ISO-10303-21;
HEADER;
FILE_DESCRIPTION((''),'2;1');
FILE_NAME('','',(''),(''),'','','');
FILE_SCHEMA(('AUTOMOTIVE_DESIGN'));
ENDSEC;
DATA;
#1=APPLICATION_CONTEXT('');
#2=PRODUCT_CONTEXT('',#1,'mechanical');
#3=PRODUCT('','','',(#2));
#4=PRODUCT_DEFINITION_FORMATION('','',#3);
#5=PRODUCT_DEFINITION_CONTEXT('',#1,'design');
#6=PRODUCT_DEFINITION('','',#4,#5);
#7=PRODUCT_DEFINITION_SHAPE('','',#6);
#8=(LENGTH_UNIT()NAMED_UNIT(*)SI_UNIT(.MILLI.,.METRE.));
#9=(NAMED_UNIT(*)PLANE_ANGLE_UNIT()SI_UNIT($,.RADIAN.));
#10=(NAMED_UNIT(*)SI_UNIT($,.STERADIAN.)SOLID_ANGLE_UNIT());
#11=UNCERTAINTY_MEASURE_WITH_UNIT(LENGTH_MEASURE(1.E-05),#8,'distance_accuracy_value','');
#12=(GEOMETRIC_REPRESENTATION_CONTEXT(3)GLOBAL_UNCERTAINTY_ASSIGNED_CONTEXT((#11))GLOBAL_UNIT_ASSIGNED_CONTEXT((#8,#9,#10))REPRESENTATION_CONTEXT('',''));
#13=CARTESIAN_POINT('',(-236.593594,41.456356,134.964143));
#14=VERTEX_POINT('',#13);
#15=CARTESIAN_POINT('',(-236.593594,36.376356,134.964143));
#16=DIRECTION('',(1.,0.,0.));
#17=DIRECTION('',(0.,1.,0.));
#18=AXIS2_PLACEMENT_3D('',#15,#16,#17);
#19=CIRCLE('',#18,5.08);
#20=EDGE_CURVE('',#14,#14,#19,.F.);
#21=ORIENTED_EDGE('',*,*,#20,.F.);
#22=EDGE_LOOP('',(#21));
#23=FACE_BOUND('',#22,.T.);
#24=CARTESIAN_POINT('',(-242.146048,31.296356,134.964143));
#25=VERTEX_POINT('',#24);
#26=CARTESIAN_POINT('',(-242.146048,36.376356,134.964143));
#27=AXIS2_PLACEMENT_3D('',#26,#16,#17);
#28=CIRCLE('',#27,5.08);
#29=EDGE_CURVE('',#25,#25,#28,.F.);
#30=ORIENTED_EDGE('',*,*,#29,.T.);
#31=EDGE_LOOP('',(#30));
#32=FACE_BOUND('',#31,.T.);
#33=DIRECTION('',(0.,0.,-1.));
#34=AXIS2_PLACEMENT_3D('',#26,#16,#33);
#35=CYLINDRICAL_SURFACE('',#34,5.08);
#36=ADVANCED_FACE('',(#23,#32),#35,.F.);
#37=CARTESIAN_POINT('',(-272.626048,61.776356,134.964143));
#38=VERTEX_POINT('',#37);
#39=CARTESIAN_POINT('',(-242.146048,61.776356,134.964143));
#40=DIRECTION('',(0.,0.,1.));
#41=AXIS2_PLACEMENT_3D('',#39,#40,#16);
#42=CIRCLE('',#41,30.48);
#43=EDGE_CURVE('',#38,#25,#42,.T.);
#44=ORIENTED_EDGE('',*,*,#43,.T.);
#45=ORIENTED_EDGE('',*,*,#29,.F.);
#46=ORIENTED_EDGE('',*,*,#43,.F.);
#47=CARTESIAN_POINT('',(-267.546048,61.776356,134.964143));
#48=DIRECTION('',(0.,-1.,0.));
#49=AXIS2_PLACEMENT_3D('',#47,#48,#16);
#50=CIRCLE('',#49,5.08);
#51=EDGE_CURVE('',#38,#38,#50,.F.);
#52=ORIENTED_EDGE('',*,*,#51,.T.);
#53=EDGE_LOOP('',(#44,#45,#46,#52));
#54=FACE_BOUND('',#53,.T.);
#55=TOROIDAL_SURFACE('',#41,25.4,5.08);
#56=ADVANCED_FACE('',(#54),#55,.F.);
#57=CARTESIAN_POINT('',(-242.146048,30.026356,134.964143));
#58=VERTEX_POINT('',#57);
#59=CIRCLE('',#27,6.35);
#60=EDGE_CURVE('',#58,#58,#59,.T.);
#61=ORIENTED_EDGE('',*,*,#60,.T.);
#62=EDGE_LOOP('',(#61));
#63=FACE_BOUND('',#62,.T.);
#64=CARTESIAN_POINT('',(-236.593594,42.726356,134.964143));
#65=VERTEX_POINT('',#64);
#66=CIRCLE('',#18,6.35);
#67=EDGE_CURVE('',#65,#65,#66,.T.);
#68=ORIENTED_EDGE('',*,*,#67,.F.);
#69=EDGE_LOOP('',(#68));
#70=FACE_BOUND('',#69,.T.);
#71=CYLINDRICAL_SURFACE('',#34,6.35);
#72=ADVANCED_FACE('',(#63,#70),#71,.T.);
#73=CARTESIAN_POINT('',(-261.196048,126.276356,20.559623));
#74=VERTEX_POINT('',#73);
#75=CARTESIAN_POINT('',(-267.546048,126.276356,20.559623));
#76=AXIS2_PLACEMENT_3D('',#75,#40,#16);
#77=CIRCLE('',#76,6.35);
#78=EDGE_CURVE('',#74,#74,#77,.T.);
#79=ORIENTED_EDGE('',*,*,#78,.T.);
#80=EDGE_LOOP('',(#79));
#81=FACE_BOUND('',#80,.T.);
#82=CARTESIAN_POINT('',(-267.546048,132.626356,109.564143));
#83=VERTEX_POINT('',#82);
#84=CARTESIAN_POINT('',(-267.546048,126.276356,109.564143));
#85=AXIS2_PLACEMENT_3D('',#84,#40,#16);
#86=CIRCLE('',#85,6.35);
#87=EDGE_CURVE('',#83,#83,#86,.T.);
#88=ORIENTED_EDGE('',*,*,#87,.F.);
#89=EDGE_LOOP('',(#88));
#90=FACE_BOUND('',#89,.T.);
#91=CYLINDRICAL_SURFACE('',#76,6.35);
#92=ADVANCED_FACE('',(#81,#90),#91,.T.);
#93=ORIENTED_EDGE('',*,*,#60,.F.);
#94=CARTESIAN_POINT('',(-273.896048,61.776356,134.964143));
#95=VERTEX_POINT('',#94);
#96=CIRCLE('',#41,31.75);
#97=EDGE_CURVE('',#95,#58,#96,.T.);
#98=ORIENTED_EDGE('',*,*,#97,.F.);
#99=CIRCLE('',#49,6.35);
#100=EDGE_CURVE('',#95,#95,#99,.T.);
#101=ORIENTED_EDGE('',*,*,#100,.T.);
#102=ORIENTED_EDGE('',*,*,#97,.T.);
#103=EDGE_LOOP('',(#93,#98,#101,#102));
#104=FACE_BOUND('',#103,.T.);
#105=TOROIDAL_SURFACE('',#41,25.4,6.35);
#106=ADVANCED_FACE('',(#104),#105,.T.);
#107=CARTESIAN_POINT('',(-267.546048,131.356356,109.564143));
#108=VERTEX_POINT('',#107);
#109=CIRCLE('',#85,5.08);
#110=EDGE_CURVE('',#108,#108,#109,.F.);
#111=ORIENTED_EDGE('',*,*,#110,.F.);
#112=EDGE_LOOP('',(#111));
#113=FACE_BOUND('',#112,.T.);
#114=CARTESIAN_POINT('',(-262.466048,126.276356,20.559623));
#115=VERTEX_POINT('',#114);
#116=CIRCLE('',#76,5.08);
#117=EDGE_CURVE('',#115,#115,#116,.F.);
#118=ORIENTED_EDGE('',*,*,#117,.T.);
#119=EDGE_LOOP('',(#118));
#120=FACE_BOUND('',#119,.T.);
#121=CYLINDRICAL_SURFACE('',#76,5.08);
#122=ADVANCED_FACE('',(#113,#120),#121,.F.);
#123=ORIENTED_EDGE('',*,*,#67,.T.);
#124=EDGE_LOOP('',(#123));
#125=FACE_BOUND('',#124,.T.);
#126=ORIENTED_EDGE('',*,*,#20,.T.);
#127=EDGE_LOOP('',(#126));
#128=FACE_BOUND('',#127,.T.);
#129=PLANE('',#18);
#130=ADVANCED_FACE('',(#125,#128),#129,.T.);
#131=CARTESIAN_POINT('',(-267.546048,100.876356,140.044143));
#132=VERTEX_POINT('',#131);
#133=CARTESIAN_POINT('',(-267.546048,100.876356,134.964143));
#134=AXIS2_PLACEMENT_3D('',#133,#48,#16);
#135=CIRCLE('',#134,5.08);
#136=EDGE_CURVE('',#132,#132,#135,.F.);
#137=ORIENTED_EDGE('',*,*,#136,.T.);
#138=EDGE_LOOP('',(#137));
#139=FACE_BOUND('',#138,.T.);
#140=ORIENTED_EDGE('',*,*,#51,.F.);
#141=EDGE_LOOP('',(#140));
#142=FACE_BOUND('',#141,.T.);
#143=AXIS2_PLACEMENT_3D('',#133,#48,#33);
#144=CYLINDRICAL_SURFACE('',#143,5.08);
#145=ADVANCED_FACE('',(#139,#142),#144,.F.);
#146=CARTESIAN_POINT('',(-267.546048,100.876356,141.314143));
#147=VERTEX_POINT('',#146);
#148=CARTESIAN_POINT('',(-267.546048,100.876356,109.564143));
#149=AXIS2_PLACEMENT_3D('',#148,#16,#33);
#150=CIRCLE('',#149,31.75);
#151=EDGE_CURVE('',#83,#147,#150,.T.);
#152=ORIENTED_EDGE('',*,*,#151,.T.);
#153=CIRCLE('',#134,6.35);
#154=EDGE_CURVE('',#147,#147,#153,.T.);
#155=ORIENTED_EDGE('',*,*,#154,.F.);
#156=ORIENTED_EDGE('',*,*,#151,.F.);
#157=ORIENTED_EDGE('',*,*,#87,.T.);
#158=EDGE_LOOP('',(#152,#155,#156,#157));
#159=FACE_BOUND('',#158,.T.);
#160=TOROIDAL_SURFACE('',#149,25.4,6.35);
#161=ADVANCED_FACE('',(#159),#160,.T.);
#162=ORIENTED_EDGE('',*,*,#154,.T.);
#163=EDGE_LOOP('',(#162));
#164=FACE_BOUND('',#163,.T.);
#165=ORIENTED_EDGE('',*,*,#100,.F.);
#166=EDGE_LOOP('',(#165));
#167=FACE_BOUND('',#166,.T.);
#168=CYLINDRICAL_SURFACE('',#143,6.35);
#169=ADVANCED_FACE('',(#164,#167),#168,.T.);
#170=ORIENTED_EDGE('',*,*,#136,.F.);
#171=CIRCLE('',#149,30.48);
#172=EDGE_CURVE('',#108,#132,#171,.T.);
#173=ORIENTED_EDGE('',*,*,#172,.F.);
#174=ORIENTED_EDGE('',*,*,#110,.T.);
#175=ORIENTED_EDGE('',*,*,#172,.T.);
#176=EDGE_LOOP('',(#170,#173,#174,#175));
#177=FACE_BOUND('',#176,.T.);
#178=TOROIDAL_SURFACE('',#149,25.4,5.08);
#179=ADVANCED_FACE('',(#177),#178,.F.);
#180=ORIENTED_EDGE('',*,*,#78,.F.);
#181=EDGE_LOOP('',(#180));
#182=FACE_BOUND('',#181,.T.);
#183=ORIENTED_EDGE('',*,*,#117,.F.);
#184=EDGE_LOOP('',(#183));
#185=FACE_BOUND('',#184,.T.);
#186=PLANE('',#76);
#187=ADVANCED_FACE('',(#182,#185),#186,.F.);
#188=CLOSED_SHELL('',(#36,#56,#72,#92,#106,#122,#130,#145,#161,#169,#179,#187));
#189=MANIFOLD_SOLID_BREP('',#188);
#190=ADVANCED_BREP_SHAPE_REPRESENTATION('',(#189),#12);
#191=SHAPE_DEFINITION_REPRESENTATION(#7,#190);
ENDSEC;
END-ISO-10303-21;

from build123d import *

# Parameters (mm, degrees)
SKETCH1_R   = 6.35
SKETCH1_R_2 = 5.08


with BuildPart() as part:
    # Sweep1: sweep along a curve in space
    with BuildLine() as sweep1_path:
        Line((-267.546047561, 126.276355941, 20.559623431), (-267.546047561, 126.276355941, 109.564142662))
        ThreePointArc((-267.546047561, 100.876355941, 134.964142662), (-267.546047561, 118.836868183, 127.524654904), (-267.546047561, 126.276355941, 109.564142662))
        Line((-267.546047561, 100.876355941, 134.964142662), (-267.546047561, 61.776355941, 134.964142662))
        ThreePointArc((-242.146047561, 36.376355941, 134.964142662), (-260.106559803, 43.815843699, 134.964142662), (-267.546047561, 61.776355941, 134.964142662))
        Line((-236.593594298, 36.376355941, 134.964142662), (-242.146047561, 36.376355941, 134.964142662))
    # Sketch1 → Sweep1 (sweep)
    with BuildSketch(Plane(origin=(-267.546047561, 126.276355941, 20.559623431), x_dir=(1, 0, 0), z_dir=(0, 0, 1))):
        Circle(SKETCH1_R)
        Circle(SKETCH1_R_2, mode=Mode.SUBTRACT)
    sweep(path=sweep1_path.line)


solid = part.part
